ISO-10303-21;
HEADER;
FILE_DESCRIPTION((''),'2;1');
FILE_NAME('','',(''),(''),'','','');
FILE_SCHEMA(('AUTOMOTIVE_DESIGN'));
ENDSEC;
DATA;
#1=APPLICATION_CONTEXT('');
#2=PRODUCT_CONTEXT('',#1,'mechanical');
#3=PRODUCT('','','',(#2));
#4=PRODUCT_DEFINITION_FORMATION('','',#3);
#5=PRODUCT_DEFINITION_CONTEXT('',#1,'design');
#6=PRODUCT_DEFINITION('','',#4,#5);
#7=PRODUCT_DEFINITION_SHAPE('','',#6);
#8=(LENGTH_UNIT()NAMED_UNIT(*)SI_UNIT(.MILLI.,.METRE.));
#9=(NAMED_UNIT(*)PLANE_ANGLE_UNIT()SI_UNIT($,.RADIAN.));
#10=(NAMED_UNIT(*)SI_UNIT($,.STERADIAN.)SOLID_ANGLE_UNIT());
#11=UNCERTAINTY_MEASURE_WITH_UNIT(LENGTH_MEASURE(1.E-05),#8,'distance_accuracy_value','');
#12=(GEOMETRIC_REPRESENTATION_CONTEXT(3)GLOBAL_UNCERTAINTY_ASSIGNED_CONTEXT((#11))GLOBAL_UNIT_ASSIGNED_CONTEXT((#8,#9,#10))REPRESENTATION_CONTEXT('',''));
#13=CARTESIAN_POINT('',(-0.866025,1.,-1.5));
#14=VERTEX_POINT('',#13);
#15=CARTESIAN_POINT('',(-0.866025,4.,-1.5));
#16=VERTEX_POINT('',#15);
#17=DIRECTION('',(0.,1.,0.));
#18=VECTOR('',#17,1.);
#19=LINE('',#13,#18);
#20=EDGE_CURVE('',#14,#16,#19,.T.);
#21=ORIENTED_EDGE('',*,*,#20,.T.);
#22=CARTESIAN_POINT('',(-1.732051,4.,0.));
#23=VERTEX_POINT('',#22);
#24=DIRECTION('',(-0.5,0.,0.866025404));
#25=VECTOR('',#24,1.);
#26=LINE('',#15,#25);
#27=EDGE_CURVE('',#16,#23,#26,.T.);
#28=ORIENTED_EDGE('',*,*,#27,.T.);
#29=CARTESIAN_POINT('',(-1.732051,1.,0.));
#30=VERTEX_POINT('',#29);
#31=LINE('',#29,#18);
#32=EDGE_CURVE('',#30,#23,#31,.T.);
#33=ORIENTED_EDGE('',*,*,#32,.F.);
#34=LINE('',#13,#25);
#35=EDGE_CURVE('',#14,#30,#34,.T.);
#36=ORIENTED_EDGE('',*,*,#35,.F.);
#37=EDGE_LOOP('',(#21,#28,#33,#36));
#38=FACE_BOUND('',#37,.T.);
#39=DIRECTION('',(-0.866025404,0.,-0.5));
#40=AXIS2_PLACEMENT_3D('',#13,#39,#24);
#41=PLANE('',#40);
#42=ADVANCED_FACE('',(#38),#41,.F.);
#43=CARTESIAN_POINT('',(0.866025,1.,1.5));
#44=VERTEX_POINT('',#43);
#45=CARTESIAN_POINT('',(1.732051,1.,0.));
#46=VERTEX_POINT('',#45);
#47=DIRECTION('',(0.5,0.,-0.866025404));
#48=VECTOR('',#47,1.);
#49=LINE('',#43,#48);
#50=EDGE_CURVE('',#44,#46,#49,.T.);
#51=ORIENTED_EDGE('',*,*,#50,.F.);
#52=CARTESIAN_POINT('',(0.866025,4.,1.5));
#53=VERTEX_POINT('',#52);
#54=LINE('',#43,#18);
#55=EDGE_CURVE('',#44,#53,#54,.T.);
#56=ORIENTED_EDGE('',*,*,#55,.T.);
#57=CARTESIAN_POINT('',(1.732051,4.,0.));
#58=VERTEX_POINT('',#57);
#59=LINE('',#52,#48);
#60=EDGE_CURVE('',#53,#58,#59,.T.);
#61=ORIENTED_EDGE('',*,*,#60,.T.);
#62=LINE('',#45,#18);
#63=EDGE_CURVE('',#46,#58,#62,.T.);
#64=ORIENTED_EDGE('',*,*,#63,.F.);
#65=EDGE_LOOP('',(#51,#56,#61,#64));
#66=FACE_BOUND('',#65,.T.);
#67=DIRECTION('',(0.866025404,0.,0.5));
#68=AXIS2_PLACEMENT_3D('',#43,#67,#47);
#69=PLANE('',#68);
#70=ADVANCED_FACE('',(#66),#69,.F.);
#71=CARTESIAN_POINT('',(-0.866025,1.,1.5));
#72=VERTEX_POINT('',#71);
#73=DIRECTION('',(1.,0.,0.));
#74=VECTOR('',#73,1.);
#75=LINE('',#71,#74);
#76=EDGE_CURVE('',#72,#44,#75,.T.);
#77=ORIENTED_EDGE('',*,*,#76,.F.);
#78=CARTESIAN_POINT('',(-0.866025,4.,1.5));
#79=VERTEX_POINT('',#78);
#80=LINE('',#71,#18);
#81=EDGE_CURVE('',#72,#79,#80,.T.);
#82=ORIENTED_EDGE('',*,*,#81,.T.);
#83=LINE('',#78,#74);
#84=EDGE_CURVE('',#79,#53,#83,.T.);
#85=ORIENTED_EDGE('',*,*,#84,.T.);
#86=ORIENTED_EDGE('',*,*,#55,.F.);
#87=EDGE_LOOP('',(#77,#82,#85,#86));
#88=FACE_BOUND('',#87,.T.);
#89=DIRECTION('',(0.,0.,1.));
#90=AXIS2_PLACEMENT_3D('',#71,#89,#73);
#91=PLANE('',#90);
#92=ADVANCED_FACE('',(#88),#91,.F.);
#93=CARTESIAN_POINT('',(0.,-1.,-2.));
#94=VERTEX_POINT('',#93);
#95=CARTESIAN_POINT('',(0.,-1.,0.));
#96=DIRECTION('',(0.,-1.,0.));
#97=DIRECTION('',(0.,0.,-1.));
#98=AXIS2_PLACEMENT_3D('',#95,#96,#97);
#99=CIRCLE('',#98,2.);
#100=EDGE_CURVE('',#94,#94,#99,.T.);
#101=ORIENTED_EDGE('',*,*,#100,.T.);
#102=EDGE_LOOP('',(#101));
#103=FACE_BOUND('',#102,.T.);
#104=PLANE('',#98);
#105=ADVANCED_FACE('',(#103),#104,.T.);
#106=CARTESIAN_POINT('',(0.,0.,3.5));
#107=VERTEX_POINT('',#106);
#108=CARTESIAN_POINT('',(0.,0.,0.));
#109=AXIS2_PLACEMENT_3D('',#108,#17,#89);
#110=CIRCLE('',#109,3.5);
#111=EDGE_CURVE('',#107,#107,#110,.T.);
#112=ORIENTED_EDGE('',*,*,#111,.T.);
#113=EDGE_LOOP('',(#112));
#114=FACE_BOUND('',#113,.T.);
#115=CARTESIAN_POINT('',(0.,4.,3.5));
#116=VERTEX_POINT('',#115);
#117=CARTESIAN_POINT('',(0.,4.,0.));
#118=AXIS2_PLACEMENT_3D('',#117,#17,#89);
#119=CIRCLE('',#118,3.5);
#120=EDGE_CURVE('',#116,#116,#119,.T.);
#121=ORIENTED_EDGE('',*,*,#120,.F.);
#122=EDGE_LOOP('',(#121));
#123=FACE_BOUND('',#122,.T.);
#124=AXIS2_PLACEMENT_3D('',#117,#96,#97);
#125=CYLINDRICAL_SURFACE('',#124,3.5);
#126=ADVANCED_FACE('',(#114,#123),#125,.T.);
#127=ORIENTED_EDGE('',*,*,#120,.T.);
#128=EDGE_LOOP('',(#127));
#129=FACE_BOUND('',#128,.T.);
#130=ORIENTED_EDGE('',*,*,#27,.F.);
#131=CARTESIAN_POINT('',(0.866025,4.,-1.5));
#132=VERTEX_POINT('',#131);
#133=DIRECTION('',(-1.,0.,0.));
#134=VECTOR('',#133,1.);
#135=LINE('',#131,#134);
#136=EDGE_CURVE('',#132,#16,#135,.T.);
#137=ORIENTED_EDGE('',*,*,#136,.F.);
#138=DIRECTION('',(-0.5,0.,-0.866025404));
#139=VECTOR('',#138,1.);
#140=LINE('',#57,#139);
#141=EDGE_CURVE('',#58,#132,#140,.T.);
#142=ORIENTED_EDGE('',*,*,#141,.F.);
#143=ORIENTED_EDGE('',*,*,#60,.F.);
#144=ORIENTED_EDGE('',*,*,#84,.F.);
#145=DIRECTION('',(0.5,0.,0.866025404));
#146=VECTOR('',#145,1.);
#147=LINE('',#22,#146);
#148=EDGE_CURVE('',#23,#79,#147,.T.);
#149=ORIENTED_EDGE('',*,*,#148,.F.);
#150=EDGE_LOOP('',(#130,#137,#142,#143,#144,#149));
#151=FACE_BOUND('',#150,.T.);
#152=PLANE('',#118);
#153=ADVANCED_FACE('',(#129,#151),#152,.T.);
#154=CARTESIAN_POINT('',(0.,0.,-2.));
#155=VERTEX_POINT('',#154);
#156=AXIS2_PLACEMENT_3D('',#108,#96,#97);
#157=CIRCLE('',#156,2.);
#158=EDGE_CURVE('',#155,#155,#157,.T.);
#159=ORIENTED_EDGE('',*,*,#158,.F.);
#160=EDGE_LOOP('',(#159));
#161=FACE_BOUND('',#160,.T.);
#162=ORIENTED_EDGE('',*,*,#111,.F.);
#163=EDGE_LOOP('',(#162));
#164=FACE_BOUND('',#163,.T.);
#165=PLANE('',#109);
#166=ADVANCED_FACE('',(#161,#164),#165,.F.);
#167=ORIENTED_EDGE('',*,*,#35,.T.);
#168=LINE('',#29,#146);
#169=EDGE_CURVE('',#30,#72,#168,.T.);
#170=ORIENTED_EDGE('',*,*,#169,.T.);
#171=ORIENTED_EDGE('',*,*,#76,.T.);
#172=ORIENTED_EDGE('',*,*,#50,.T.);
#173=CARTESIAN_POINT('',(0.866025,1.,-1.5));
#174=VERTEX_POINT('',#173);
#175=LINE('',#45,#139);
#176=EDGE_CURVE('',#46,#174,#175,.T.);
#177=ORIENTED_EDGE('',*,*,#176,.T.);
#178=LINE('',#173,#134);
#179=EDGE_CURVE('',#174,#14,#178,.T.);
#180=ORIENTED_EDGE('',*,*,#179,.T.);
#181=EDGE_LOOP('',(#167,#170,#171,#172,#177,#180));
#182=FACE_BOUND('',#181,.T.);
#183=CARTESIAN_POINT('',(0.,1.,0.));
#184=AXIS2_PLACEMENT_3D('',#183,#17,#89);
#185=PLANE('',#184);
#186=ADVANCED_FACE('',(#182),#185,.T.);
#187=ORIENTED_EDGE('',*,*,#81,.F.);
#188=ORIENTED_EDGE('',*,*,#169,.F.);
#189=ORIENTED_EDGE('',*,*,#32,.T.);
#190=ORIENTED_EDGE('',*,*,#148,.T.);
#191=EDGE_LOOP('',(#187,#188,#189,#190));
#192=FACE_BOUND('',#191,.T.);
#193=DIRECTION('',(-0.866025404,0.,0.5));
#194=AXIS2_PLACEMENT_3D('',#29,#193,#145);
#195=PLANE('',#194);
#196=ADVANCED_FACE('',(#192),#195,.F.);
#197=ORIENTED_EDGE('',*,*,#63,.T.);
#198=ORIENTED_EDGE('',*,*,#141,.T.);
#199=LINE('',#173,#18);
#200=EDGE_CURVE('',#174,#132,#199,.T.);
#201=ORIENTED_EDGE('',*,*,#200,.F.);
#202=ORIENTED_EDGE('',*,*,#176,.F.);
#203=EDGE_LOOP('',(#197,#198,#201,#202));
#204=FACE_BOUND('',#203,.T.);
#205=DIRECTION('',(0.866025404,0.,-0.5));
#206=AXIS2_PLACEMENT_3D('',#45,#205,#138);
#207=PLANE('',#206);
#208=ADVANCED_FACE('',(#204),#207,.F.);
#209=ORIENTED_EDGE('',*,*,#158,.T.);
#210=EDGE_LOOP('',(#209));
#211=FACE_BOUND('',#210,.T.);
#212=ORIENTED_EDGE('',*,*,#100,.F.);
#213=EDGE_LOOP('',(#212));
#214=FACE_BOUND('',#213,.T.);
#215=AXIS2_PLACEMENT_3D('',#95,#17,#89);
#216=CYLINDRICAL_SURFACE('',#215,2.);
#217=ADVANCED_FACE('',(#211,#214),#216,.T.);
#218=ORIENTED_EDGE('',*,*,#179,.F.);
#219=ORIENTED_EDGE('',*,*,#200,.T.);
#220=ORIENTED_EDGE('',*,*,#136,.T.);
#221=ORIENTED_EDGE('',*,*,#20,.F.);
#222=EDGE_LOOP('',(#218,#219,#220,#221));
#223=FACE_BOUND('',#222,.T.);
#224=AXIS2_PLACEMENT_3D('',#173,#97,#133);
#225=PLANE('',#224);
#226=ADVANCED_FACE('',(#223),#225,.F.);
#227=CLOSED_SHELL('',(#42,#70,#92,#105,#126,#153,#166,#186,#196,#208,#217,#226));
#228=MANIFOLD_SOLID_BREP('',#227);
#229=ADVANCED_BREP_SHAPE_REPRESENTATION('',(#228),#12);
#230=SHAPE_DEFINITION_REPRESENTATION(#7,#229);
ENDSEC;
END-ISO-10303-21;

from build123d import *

# Parameters (mm, degrees)
SKETCH1_R           = 3.5
BOSS_EXTRUDE1_DEPTH = 4
SKETCH2_R           = 2
BOSS_EXTRUDE2_DEPTH = 1
CUT_EXTRUDE1_DEPTH  = 3


with BuildPart() as part:
    # Sketch1 → Boss-Extrude1 (new body)
    with BuildSketch(Plane(origin=(0, 0, 0), x_dir=(1, 0, 0), z_dir=(0, 1, 0))):
        Circle(SKETCH1_R)
    extrude(amount=BOSS_EXTRUDE1_DEPTH)

    # Sketch2 → Boss-Extrude2 (add)
    with BuildSketch(Plane.XZ):
        Circle(SKETCH2_R)
    extrude(amount=BOSS_EXTRUDE2_DEPTH)

    # Sketch3 → Cut-Extrude1 (cut)
    with BuildSketch(Plane(origin=(0, 4, 0), x_dir=(1, 0, 0), z_dir=(0, 1, 0))):
        Polygon((1.732050808, 0), (0.866025404, 1.5), (-0.866025404, 1.5), (-1.732050808, 0), (-0.866025404, -1.5), (0.866025404, -1.5), align=None)
    extrude(amount=-CUT_EXTRUDE1_DEPTH, mode=Mode.SUBTRACT)


solid = part.part
